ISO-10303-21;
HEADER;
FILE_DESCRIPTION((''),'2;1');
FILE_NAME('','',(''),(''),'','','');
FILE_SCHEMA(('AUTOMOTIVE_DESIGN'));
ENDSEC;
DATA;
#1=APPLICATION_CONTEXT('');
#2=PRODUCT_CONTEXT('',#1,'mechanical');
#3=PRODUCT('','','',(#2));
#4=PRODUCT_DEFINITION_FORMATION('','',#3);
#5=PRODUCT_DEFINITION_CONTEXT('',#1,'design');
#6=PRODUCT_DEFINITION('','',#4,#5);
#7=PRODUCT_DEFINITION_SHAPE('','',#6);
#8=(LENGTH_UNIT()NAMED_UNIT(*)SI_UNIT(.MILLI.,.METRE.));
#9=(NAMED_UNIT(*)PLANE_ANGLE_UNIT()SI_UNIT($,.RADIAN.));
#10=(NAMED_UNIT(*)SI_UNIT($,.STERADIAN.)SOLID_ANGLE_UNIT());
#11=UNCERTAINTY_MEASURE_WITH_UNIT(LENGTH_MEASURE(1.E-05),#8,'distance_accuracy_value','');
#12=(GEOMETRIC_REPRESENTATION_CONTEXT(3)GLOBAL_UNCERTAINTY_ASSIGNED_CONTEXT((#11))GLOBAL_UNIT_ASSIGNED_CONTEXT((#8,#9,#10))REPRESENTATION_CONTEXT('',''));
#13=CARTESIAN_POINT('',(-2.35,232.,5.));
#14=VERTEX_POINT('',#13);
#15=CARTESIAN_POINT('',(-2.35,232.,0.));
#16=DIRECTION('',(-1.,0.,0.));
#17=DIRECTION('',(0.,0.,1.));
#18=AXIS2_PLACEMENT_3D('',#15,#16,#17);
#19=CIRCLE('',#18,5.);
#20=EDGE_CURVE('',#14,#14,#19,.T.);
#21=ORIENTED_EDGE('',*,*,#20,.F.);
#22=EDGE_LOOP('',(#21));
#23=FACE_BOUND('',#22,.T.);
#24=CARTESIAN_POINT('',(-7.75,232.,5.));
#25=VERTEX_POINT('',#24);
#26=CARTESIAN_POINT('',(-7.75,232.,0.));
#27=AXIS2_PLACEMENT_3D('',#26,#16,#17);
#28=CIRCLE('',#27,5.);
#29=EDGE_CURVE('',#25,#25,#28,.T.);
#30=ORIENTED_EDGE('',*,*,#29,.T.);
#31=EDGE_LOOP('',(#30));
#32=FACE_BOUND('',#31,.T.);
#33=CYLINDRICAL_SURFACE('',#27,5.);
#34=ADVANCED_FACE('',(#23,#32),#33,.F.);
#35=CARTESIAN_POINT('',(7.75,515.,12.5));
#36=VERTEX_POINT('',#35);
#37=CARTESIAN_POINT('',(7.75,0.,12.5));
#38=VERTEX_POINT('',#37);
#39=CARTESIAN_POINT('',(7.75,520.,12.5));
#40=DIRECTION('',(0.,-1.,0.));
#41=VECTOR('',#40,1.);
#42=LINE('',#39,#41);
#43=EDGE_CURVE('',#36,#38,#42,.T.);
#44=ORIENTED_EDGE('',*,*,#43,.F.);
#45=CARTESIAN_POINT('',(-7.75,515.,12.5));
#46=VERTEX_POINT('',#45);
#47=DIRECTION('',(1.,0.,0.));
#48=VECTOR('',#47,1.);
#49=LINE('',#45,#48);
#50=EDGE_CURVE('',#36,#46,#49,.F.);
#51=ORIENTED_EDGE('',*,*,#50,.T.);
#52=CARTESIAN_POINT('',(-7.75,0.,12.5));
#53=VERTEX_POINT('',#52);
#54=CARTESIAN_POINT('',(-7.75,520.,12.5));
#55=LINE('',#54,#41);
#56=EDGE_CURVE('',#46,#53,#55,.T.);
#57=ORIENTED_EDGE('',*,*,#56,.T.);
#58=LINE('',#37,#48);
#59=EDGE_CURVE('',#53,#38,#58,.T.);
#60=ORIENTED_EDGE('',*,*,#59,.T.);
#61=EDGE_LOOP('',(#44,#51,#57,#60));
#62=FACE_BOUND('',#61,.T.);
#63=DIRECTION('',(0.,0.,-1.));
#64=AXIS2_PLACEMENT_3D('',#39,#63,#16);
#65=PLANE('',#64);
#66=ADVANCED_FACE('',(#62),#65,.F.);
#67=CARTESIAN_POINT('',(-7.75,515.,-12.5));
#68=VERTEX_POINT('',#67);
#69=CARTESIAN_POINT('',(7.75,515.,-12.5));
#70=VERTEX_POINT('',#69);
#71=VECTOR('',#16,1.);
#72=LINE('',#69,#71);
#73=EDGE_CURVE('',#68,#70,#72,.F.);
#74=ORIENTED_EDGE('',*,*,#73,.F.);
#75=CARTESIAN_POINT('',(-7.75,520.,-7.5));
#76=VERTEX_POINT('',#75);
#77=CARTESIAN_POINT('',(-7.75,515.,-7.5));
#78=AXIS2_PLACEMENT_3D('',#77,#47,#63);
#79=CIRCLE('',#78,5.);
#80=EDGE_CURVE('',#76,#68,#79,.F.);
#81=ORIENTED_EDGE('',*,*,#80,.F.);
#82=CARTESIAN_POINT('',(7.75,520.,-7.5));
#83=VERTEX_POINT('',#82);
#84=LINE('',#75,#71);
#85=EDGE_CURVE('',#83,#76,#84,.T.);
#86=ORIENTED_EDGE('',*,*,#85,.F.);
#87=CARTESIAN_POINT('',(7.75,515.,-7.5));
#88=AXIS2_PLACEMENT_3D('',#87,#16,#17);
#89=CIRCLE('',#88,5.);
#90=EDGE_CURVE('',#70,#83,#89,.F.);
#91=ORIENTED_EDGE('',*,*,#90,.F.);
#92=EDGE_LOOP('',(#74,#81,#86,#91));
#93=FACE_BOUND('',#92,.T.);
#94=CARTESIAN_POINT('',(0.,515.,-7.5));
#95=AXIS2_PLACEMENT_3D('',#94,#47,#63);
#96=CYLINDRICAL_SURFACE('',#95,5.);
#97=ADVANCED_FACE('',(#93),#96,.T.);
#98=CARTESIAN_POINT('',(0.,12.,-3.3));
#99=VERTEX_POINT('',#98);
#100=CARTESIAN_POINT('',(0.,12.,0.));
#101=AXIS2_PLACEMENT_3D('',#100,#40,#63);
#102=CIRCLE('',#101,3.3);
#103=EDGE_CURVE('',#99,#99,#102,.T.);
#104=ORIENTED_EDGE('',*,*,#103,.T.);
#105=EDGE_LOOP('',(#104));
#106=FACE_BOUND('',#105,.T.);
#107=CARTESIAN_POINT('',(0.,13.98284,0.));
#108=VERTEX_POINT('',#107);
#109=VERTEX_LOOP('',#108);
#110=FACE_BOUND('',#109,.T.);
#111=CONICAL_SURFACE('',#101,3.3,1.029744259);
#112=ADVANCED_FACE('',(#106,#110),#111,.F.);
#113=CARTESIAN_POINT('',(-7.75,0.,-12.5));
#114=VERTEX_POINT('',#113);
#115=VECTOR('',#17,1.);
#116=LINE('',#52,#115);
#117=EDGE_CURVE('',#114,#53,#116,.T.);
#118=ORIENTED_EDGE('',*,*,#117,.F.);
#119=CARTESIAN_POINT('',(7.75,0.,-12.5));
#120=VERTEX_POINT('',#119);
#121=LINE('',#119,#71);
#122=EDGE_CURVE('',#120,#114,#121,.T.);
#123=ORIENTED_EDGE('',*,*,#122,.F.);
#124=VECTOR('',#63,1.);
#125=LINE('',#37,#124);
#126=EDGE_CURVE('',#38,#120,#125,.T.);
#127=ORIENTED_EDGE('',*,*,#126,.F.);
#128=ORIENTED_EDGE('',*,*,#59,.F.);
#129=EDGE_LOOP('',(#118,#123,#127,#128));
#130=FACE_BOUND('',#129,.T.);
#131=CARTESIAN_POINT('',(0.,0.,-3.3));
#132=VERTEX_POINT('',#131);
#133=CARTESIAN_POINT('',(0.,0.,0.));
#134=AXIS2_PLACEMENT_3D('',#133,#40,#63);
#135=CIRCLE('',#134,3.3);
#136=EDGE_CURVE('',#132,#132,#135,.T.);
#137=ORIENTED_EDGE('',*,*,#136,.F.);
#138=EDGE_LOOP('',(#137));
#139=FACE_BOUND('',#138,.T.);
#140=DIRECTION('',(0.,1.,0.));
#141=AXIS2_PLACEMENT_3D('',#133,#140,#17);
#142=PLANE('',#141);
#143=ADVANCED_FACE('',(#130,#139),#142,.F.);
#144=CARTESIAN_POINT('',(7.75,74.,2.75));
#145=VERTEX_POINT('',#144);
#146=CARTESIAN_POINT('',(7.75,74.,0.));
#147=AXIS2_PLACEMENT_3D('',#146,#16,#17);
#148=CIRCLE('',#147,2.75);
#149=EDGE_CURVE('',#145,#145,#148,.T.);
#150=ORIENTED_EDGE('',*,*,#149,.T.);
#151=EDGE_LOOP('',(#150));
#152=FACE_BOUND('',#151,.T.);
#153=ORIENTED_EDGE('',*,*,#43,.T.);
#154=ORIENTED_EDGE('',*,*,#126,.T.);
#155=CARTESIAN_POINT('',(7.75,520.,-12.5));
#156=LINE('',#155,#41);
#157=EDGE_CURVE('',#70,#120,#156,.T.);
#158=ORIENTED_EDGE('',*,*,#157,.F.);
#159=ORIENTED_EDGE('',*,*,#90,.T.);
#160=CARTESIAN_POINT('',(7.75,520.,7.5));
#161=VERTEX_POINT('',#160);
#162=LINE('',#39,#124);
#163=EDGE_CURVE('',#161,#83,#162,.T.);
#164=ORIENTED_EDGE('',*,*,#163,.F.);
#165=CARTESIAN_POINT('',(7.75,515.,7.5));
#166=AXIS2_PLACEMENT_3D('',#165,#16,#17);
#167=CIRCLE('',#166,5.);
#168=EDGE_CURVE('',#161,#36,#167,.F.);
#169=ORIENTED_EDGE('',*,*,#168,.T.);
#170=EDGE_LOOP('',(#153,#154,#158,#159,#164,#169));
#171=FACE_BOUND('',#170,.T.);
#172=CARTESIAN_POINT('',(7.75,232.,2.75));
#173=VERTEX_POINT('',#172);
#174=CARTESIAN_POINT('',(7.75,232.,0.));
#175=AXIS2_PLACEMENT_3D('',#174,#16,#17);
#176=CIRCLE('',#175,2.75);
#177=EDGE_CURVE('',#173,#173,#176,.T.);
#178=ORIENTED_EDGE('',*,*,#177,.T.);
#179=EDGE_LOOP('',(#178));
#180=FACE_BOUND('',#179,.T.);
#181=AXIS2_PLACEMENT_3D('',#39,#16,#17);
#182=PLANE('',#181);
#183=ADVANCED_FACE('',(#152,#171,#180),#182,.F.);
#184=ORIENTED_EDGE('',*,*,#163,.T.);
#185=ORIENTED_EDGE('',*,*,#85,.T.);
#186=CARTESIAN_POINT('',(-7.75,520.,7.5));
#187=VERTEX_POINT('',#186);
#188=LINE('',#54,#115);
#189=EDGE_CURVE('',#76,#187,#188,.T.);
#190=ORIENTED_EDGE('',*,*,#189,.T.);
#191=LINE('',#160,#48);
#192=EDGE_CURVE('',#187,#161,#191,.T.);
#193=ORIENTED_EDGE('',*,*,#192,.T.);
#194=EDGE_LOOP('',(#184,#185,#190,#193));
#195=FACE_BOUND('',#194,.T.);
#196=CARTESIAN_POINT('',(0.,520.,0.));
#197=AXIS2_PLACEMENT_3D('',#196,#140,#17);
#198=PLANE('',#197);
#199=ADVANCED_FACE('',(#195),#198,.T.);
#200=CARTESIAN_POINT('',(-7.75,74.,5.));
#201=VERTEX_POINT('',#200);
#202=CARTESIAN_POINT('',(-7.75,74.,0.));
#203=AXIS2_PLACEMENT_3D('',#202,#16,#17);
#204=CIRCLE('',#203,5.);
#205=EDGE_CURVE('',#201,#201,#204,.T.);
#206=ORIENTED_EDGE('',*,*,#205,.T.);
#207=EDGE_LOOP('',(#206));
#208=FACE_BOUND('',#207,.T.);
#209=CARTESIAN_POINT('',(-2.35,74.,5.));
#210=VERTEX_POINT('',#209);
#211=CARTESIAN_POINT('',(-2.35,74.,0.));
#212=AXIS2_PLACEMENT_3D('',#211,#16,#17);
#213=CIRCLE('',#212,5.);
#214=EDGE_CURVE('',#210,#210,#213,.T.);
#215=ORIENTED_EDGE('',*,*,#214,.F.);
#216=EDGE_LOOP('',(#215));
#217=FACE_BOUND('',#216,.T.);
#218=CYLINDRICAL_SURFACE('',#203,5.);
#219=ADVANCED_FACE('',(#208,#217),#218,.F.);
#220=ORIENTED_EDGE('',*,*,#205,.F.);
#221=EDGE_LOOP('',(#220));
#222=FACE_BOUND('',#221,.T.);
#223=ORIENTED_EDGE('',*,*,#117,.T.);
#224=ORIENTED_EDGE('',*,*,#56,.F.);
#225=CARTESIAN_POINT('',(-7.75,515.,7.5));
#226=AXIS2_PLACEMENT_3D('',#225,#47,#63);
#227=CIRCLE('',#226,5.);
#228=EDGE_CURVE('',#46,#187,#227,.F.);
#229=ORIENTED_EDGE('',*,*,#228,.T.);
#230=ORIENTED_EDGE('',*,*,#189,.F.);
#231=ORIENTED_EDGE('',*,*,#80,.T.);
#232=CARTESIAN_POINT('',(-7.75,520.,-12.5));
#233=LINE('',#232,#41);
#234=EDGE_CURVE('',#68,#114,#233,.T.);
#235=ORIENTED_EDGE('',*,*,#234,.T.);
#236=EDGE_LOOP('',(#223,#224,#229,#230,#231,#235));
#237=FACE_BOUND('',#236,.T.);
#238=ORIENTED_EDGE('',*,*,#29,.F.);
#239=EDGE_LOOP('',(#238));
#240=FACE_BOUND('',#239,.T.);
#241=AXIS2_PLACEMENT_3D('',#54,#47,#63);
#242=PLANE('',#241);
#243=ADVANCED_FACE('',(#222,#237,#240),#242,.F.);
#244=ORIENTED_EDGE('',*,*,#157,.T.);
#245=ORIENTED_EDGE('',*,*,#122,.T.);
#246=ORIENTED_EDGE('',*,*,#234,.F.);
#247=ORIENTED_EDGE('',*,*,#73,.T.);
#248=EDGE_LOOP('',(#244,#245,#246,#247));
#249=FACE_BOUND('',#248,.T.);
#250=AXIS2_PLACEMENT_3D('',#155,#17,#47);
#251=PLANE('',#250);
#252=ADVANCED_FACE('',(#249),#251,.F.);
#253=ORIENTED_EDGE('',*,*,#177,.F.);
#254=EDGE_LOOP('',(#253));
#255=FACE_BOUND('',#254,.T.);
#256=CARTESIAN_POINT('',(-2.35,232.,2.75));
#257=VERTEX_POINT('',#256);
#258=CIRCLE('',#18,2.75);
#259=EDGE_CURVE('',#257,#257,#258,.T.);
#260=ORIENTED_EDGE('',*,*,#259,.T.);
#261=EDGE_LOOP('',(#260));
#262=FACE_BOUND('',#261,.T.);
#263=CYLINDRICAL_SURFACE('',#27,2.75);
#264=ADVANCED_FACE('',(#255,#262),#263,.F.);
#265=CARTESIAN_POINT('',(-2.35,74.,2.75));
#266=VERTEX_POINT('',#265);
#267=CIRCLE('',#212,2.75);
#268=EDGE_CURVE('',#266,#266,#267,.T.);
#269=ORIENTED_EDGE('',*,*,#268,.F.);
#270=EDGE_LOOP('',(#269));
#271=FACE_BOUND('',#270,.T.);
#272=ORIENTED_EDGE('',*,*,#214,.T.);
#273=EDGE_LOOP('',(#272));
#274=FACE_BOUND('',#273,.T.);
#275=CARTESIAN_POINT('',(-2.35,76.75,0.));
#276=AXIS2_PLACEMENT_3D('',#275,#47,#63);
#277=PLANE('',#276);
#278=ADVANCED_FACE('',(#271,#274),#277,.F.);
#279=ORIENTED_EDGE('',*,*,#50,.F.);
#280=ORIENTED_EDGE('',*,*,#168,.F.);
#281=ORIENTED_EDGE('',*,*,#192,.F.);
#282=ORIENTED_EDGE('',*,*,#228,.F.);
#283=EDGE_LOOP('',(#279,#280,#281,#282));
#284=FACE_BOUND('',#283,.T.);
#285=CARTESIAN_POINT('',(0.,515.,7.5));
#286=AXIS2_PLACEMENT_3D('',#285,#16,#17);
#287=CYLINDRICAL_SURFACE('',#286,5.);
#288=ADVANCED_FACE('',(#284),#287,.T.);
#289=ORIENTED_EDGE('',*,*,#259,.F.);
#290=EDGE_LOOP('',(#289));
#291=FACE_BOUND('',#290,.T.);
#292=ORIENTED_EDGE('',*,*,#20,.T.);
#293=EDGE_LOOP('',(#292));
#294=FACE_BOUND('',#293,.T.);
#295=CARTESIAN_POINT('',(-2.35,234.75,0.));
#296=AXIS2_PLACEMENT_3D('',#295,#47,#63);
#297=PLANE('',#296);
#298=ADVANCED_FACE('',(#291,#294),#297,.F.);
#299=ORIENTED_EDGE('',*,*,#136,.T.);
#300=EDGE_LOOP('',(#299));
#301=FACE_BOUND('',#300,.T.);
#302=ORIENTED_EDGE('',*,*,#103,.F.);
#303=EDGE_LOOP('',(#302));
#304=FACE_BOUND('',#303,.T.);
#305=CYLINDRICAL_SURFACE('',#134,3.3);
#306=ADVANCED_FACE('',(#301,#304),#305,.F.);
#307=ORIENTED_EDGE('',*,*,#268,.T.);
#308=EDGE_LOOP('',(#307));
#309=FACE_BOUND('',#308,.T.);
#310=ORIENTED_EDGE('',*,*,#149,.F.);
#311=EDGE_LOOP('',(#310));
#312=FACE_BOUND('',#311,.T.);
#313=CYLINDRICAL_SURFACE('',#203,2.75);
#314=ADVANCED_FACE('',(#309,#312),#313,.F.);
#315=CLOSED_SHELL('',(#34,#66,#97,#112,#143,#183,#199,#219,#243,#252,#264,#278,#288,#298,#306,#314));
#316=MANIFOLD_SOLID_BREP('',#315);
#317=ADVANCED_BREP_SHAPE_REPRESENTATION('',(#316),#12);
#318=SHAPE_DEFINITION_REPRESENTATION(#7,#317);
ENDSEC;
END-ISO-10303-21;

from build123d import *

# Parameters (mm, degrees)
SKETCH1_W                                           = 15.5
SKETCH1_H                                           = 25
BOSS_EXTRUDE1_DEPTH                                 = 520
FILLET1_R                                           = 5
F_5_0MM_DOWEL_HOLE1_D                               = 6.6
F_5_0MM_DOWEL_HOLE1_DEPTH                           = 12
F_5_0MM_DOWEL_HOLE1_TIP                             = 1.982840043
CBORE_FOR_M5_HEX_SOCKET_HEAD_CAP_SCREW2_D           = 5.5
CBORE_FOR_M5_HEX_SOCKET_HEAD_CAP_SCREW2_CBORE_D     = 10
CBORE_FOR_M5_HEX_SOCKET_HEAD_CAP_SCREW2_CBORE_DEPTH = 5.4


with BuildPart() as part:
    # Sketch1 → Boss-Extrude1 (new body)
    with BuildSketch(Plane(origin=(0, 0, 0), x_dir=(1, 0, 0), z_dir=(0, 1, 0))):
        Rectangle(SKETCH1_W, SKETCH1_H)
    extrude(amount=BOSS_EXTRUDE1_DEPTH)

    # Fillet1
    fillet1_edges = [part.edges().sort_by_distance(p)[0] for p in [
        (0, 520, -12.5),
        (0, 520, 12.5),
    ]]
    fillet(fillet1_edges, radius=FILLET1_R)

    # Ø5.0mm Dowel Hole1
    with Locations(Plane(origin=(0, 0, 0), x_dir=(-1, 0, 0), z_dir=(0, -1, 0))):
        with Locations((0, 0)):
            Hole(F_5_0MM_DOWEL_HOLE1_D / 2, depth=F_5_0MM_DOWEL_HOLE1_DEPTH)
            with Locations((0, 0, -(F_5_0MM_DOWEL_HOLE1_DEPTH + F_5_0MM_DOWEL_HOLE1_TIP / 2))):  # 118° drill point
                Cone(0, F_5_0MM_DOWEL_HOLE1_D / 2, F_5_0MM_DOWEL_HOLE1_TIP, mode=Mode.SUBTRACT)

    # CBORE for M5 Hex Socket Head Cap Screw2 (through all)
    with Locations(Plane.ZY.offset(7.75)):
        with Locations((0, 74), (0, 232)):
            CounterBoreHole(CBORE_FOR_M5_HEX_SOCKET_HEAD_CAP_SCREW2_D / 2, CBORE_FOR_M5_HEX_SOCKET_HEAD_CAP_SCREW2_CBORE_D / 2, CBORE_FOR_M5_HEX_SOCKET_HEAD_CAP_SCREW2_CBORE_DEPTH)


solid = part.part
